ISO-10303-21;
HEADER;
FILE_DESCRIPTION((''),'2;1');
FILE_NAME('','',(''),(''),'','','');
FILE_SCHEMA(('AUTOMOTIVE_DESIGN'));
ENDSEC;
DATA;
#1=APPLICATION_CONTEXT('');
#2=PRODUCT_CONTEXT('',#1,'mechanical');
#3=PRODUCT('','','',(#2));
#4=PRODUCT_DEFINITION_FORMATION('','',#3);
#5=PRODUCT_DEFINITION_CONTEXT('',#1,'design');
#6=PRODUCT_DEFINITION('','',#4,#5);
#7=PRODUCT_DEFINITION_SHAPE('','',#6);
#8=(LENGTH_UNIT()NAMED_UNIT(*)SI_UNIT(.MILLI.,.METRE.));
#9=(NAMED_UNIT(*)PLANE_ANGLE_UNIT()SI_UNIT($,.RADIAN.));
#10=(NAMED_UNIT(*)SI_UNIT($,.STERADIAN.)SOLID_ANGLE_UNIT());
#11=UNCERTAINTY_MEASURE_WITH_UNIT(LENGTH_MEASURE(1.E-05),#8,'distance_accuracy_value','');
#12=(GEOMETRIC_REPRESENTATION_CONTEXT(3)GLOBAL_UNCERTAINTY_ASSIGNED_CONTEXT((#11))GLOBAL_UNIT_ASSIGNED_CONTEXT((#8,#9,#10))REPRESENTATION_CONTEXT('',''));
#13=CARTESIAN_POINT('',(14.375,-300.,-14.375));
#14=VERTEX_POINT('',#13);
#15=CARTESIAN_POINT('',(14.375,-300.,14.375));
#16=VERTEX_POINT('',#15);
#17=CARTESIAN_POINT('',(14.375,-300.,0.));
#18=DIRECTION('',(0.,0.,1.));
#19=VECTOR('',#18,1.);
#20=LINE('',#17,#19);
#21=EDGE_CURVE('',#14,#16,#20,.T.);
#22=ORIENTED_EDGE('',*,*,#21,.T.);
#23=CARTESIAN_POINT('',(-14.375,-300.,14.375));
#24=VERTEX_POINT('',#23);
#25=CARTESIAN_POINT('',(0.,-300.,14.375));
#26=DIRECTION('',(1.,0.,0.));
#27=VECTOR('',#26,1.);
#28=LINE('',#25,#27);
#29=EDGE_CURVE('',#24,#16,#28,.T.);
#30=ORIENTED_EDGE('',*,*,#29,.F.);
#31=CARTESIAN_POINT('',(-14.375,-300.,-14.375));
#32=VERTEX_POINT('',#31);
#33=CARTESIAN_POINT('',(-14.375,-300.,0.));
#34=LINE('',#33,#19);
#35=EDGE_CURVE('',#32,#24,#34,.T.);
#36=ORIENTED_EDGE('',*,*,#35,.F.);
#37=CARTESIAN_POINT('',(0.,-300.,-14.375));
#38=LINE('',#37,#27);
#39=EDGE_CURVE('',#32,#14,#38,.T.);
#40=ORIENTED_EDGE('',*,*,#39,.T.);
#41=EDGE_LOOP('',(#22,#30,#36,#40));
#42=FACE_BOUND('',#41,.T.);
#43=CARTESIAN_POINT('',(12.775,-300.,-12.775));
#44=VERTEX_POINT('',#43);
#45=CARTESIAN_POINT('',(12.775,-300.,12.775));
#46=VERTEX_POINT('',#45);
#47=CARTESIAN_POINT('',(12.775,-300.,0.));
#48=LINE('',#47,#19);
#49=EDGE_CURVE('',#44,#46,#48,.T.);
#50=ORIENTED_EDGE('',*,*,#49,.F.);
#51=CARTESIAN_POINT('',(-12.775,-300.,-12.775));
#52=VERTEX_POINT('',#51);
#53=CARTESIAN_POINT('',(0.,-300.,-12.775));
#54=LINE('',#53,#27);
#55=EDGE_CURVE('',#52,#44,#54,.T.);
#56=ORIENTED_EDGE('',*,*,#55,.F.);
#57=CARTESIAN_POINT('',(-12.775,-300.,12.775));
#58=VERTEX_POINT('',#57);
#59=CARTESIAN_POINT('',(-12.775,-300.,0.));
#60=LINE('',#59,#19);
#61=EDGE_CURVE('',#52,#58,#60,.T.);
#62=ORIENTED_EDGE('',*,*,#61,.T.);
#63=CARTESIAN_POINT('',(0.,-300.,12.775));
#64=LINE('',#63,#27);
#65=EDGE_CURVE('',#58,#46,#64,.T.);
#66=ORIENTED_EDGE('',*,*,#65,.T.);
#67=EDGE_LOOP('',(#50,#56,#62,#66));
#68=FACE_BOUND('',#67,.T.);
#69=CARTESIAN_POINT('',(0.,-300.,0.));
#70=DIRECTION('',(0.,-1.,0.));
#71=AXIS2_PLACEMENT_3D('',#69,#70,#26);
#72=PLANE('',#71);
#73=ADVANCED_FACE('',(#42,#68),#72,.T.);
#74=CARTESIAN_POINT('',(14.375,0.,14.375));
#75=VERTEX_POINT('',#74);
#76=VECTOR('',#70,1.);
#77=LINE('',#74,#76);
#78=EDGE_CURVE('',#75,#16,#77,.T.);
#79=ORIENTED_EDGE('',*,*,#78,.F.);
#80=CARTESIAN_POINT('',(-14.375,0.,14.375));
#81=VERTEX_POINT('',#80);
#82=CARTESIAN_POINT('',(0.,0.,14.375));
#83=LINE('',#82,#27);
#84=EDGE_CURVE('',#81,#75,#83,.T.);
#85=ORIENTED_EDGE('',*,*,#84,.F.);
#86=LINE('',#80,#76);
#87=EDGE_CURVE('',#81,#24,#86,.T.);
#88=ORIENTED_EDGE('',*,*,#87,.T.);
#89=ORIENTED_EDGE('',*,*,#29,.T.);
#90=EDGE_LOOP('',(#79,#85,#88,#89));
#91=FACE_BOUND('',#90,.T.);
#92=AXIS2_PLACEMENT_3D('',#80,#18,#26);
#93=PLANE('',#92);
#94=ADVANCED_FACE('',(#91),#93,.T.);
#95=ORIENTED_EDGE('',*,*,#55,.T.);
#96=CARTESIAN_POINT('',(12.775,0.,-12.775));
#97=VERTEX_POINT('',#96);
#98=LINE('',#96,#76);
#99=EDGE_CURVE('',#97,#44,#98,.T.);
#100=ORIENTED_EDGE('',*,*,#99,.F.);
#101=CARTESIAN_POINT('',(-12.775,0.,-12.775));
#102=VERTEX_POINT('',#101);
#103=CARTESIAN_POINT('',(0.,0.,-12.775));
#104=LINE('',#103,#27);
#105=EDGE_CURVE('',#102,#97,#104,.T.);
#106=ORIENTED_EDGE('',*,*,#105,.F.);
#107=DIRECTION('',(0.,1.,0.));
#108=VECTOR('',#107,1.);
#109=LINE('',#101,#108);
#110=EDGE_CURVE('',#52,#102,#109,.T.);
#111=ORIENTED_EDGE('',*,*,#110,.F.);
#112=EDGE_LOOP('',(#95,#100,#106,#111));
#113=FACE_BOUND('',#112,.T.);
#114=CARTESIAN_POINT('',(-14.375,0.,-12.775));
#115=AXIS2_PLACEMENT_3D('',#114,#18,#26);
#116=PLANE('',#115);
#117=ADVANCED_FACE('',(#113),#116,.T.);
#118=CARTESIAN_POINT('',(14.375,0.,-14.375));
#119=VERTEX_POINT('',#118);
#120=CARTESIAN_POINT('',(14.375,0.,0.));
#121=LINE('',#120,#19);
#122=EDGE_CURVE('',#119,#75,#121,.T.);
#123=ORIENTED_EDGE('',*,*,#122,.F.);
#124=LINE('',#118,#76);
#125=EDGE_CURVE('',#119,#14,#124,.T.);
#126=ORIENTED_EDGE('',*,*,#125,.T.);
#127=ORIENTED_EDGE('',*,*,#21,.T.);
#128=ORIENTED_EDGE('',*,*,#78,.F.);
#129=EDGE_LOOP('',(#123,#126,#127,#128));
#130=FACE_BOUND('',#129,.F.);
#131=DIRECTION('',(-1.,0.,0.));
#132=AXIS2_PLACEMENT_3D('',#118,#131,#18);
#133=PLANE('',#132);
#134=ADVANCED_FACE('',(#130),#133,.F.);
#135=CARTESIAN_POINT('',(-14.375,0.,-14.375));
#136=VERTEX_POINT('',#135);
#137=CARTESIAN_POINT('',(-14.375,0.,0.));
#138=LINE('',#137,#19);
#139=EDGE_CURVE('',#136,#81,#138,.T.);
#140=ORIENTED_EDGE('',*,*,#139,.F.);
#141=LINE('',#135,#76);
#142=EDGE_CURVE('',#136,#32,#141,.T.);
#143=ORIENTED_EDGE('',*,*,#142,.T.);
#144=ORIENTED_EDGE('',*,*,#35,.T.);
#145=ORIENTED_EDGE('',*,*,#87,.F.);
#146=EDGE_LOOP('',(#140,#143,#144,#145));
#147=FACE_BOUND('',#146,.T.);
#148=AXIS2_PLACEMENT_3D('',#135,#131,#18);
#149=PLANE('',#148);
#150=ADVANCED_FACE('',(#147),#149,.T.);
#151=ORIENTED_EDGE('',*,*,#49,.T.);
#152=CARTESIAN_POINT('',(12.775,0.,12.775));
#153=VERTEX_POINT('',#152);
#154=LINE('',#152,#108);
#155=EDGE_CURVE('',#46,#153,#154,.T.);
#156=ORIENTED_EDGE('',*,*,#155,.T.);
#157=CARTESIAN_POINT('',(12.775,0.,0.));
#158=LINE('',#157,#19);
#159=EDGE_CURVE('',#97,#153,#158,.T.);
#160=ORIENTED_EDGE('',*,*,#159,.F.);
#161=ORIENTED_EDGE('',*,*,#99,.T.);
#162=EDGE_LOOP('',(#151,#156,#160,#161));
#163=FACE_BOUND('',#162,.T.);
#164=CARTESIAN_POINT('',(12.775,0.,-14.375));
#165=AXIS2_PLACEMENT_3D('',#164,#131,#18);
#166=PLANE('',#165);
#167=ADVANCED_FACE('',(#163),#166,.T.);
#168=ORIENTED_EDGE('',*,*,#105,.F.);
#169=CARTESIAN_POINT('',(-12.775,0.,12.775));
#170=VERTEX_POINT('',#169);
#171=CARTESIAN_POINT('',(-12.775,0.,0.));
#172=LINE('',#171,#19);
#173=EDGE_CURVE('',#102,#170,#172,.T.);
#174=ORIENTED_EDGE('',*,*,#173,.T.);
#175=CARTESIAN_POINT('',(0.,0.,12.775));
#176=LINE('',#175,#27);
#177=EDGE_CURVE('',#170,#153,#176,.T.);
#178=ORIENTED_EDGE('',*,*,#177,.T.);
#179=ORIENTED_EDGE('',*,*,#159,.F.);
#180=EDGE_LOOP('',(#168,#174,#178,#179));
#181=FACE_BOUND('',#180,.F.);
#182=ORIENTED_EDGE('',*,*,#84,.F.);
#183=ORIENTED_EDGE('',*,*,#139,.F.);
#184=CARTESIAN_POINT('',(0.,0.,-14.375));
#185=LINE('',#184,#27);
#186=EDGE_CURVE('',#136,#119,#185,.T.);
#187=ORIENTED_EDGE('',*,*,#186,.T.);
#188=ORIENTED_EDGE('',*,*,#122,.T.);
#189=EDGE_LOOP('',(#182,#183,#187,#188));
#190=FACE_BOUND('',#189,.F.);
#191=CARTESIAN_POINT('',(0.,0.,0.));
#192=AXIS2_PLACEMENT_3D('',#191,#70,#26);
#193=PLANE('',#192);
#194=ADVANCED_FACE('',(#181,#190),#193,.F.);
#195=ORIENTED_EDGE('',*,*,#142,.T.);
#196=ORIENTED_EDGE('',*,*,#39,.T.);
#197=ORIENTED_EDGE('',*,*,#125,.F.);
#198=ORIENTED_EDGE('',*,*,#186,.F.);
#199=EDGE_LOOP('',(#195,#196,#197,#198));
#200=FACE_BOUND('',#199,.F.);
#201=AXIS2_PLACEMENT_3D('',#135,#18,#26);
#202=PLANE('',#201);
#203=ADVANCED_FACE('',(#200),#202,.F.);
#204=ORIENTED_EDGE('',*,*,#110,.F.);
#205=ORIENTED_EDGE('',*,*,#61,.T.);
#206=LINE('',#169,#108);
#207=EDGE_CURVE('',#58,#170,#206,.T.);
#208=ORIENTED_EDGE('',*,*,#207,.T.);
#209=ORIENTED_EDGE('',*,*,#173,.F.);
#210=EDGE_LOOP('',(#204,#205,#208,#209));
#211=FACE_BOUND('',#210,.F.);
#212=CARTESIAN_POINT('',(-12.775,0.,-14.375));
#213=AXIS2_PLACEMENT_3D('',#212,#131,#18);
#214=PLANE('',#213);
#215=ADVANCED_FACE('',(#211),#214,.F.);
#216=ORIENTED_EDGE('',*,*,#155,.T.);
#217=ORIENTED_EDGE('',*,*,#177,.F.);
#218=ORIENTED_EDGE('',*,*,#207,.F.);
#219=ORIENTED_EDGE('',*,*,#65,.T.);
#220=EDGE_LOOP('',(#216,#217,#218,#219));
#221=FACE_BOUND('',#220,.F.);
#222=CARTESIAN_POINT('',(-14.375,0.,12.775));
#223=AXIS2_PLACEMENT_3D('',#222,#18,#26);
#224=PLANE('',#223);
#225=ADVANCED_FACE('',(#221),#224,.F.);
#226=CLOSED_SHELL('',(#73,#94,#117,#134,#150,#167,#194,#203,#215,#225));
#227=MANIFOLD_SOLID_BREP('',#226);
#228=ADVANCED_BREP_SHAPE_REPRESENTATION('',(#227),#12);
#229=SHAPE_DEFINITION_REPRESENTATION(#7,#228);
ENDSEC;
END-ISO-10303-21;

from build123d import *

# Parameters (mm, degrees)
F0_W     = 28.75
F0_H     = 28.75
F1_DEPTH = 300
F2_T     = -1.6


with BuildPart() as f1:
    # F0 (on Front) → F1 (new body)
    with BuildSketch(Plane.XZ):
        Rectangle(F0_W, F0_H)
    extrude(amount=F1_DEPTH)

    # F2
    f2_openings = [f1.faces().sort_by_distance(p)[0] for p in [
        (0, 0, 0),
        (0, -300, 0),
    ]]
    offset(amount=F2_T, openings=f2_openings)


solid = f1.part
